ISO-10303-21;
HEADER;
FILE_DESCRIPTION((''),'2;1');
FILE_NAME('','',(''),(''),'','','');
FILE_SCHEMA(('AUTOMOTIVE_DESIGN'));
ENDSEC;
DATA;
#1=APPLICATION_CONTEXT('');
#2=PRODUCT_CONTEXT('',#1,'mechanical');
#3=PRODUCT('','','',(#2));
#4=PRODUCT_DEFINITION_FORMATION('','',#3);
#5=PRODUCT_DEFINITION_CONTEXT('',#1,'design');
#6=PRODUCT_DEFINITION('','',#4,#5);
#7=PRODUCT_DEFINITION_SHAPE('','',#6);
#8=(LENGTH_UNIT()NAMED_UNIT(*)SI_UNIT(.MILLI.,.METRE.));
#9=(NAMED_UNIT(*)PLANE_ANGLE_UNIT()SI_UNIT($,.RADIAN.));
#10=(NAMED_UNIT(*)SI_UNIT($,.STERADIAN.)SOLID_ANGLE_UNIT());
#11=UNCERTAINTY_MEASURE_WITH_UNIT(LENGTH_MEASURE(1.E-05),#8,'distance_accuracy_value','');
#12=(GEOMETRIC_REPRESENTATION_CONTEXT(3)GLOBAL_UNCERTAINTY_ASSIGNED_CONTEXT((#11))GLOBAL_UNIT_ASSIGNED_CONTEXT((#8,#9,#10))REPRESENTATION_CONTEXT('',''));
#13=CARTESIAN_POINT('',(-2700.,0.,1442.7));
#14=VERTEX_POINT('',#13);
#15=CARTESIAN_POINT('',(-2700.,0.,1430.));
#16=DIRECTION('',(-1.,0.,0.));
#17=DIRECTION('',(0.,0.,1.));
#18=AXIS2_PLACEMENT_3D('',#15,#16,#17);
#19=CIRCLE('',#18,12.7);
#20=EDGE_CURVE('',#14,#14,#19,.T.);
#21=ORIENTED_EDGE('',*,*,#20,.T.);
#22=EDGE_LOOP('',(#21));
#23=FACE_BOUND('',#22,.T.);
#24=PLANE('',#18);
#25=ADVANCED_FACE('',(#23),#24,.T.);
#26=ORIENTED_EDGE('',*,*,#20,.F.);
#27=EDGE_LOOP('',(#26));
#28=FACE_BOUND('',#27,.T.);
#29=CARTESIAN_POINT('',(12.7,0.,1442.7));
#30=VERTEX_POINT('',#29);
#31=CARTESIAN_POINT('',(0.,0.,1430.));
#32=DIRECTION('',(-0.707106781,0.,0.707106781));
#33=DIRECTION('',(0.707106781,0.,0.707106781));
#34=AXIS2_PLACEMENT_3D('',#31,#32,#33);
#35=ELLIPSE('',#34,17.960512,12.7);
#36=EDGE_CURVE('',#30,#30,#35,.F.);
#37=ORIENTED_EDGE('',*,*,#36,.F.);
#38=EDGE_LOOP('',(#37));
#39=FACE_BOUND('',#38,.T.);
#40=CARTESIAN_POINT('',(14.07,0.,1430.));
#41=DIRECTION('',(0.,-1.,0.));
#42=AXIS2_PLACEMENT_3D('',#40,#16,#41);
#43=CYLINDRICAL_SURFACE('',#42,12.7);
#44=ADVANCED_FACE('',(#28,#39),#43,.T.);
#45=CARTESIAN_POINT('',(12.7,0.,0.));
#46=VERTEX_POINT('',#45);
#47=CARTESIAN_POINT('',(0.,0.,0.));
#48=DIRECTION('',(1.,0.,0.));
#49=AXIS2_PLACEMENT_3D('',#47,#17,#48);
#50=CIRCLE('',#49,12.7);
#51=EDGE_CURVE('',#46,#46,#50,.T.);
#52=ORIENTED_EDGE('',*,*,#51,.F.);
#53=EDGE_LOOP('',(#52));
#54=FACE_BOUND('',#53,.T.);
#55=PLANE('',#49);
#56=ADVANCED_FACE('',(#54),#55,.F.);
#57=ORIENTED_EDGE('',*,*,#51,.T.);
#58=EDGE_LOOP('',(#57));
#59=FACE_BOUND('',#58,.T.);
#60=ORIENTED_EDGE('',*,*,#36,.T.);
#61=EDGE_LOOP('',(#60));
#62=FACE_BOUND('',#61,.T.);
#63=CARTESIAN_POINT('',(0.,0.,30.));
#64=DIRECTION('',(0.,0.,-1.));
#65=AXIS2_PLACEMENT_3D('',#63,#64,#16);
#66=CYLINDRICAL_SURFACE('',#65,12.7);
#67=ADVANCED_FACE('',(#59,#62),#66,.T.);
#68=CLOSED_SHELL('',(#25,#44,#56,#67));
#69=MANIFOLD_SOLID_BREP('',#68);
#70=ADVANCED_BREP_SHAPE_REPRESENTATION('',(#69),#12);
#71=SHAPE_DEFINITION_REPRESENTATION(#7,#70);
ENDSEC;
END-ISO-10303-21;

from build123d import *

# Parameters (mm, degrees)
CROQUIS1_R              = 12.7
SALIENTE_EXTRUIR1_DEPTH = 30
CROQUIS2_R              = 12.7


with BuildPart() as part:
    # Croquis1 → Saliente-Extruir1 (new body)
    with BuildSketch(Plane.XY):
        Circle(CROQUIS1_R)
    extrude(amount=SALIENTE_EXTRUIR1_DEPTH)

    # Barrer1: sweep along a curve in space
    with BuildLine() as barrer1_path:
        Line((0, 0, 30), (0, 0, 1430))
        Line((0, 0, 1430), (-2700, 0, 1430))
    # Croquis2 → Barrer1 (sweep)
    with BuildSketch(Plane.XY.offset(30)):
        Circle(CROQUIS2_R)
    sweep(path=barrer1_path.line, transition=Transition.RIGHT)


solid = part.part
